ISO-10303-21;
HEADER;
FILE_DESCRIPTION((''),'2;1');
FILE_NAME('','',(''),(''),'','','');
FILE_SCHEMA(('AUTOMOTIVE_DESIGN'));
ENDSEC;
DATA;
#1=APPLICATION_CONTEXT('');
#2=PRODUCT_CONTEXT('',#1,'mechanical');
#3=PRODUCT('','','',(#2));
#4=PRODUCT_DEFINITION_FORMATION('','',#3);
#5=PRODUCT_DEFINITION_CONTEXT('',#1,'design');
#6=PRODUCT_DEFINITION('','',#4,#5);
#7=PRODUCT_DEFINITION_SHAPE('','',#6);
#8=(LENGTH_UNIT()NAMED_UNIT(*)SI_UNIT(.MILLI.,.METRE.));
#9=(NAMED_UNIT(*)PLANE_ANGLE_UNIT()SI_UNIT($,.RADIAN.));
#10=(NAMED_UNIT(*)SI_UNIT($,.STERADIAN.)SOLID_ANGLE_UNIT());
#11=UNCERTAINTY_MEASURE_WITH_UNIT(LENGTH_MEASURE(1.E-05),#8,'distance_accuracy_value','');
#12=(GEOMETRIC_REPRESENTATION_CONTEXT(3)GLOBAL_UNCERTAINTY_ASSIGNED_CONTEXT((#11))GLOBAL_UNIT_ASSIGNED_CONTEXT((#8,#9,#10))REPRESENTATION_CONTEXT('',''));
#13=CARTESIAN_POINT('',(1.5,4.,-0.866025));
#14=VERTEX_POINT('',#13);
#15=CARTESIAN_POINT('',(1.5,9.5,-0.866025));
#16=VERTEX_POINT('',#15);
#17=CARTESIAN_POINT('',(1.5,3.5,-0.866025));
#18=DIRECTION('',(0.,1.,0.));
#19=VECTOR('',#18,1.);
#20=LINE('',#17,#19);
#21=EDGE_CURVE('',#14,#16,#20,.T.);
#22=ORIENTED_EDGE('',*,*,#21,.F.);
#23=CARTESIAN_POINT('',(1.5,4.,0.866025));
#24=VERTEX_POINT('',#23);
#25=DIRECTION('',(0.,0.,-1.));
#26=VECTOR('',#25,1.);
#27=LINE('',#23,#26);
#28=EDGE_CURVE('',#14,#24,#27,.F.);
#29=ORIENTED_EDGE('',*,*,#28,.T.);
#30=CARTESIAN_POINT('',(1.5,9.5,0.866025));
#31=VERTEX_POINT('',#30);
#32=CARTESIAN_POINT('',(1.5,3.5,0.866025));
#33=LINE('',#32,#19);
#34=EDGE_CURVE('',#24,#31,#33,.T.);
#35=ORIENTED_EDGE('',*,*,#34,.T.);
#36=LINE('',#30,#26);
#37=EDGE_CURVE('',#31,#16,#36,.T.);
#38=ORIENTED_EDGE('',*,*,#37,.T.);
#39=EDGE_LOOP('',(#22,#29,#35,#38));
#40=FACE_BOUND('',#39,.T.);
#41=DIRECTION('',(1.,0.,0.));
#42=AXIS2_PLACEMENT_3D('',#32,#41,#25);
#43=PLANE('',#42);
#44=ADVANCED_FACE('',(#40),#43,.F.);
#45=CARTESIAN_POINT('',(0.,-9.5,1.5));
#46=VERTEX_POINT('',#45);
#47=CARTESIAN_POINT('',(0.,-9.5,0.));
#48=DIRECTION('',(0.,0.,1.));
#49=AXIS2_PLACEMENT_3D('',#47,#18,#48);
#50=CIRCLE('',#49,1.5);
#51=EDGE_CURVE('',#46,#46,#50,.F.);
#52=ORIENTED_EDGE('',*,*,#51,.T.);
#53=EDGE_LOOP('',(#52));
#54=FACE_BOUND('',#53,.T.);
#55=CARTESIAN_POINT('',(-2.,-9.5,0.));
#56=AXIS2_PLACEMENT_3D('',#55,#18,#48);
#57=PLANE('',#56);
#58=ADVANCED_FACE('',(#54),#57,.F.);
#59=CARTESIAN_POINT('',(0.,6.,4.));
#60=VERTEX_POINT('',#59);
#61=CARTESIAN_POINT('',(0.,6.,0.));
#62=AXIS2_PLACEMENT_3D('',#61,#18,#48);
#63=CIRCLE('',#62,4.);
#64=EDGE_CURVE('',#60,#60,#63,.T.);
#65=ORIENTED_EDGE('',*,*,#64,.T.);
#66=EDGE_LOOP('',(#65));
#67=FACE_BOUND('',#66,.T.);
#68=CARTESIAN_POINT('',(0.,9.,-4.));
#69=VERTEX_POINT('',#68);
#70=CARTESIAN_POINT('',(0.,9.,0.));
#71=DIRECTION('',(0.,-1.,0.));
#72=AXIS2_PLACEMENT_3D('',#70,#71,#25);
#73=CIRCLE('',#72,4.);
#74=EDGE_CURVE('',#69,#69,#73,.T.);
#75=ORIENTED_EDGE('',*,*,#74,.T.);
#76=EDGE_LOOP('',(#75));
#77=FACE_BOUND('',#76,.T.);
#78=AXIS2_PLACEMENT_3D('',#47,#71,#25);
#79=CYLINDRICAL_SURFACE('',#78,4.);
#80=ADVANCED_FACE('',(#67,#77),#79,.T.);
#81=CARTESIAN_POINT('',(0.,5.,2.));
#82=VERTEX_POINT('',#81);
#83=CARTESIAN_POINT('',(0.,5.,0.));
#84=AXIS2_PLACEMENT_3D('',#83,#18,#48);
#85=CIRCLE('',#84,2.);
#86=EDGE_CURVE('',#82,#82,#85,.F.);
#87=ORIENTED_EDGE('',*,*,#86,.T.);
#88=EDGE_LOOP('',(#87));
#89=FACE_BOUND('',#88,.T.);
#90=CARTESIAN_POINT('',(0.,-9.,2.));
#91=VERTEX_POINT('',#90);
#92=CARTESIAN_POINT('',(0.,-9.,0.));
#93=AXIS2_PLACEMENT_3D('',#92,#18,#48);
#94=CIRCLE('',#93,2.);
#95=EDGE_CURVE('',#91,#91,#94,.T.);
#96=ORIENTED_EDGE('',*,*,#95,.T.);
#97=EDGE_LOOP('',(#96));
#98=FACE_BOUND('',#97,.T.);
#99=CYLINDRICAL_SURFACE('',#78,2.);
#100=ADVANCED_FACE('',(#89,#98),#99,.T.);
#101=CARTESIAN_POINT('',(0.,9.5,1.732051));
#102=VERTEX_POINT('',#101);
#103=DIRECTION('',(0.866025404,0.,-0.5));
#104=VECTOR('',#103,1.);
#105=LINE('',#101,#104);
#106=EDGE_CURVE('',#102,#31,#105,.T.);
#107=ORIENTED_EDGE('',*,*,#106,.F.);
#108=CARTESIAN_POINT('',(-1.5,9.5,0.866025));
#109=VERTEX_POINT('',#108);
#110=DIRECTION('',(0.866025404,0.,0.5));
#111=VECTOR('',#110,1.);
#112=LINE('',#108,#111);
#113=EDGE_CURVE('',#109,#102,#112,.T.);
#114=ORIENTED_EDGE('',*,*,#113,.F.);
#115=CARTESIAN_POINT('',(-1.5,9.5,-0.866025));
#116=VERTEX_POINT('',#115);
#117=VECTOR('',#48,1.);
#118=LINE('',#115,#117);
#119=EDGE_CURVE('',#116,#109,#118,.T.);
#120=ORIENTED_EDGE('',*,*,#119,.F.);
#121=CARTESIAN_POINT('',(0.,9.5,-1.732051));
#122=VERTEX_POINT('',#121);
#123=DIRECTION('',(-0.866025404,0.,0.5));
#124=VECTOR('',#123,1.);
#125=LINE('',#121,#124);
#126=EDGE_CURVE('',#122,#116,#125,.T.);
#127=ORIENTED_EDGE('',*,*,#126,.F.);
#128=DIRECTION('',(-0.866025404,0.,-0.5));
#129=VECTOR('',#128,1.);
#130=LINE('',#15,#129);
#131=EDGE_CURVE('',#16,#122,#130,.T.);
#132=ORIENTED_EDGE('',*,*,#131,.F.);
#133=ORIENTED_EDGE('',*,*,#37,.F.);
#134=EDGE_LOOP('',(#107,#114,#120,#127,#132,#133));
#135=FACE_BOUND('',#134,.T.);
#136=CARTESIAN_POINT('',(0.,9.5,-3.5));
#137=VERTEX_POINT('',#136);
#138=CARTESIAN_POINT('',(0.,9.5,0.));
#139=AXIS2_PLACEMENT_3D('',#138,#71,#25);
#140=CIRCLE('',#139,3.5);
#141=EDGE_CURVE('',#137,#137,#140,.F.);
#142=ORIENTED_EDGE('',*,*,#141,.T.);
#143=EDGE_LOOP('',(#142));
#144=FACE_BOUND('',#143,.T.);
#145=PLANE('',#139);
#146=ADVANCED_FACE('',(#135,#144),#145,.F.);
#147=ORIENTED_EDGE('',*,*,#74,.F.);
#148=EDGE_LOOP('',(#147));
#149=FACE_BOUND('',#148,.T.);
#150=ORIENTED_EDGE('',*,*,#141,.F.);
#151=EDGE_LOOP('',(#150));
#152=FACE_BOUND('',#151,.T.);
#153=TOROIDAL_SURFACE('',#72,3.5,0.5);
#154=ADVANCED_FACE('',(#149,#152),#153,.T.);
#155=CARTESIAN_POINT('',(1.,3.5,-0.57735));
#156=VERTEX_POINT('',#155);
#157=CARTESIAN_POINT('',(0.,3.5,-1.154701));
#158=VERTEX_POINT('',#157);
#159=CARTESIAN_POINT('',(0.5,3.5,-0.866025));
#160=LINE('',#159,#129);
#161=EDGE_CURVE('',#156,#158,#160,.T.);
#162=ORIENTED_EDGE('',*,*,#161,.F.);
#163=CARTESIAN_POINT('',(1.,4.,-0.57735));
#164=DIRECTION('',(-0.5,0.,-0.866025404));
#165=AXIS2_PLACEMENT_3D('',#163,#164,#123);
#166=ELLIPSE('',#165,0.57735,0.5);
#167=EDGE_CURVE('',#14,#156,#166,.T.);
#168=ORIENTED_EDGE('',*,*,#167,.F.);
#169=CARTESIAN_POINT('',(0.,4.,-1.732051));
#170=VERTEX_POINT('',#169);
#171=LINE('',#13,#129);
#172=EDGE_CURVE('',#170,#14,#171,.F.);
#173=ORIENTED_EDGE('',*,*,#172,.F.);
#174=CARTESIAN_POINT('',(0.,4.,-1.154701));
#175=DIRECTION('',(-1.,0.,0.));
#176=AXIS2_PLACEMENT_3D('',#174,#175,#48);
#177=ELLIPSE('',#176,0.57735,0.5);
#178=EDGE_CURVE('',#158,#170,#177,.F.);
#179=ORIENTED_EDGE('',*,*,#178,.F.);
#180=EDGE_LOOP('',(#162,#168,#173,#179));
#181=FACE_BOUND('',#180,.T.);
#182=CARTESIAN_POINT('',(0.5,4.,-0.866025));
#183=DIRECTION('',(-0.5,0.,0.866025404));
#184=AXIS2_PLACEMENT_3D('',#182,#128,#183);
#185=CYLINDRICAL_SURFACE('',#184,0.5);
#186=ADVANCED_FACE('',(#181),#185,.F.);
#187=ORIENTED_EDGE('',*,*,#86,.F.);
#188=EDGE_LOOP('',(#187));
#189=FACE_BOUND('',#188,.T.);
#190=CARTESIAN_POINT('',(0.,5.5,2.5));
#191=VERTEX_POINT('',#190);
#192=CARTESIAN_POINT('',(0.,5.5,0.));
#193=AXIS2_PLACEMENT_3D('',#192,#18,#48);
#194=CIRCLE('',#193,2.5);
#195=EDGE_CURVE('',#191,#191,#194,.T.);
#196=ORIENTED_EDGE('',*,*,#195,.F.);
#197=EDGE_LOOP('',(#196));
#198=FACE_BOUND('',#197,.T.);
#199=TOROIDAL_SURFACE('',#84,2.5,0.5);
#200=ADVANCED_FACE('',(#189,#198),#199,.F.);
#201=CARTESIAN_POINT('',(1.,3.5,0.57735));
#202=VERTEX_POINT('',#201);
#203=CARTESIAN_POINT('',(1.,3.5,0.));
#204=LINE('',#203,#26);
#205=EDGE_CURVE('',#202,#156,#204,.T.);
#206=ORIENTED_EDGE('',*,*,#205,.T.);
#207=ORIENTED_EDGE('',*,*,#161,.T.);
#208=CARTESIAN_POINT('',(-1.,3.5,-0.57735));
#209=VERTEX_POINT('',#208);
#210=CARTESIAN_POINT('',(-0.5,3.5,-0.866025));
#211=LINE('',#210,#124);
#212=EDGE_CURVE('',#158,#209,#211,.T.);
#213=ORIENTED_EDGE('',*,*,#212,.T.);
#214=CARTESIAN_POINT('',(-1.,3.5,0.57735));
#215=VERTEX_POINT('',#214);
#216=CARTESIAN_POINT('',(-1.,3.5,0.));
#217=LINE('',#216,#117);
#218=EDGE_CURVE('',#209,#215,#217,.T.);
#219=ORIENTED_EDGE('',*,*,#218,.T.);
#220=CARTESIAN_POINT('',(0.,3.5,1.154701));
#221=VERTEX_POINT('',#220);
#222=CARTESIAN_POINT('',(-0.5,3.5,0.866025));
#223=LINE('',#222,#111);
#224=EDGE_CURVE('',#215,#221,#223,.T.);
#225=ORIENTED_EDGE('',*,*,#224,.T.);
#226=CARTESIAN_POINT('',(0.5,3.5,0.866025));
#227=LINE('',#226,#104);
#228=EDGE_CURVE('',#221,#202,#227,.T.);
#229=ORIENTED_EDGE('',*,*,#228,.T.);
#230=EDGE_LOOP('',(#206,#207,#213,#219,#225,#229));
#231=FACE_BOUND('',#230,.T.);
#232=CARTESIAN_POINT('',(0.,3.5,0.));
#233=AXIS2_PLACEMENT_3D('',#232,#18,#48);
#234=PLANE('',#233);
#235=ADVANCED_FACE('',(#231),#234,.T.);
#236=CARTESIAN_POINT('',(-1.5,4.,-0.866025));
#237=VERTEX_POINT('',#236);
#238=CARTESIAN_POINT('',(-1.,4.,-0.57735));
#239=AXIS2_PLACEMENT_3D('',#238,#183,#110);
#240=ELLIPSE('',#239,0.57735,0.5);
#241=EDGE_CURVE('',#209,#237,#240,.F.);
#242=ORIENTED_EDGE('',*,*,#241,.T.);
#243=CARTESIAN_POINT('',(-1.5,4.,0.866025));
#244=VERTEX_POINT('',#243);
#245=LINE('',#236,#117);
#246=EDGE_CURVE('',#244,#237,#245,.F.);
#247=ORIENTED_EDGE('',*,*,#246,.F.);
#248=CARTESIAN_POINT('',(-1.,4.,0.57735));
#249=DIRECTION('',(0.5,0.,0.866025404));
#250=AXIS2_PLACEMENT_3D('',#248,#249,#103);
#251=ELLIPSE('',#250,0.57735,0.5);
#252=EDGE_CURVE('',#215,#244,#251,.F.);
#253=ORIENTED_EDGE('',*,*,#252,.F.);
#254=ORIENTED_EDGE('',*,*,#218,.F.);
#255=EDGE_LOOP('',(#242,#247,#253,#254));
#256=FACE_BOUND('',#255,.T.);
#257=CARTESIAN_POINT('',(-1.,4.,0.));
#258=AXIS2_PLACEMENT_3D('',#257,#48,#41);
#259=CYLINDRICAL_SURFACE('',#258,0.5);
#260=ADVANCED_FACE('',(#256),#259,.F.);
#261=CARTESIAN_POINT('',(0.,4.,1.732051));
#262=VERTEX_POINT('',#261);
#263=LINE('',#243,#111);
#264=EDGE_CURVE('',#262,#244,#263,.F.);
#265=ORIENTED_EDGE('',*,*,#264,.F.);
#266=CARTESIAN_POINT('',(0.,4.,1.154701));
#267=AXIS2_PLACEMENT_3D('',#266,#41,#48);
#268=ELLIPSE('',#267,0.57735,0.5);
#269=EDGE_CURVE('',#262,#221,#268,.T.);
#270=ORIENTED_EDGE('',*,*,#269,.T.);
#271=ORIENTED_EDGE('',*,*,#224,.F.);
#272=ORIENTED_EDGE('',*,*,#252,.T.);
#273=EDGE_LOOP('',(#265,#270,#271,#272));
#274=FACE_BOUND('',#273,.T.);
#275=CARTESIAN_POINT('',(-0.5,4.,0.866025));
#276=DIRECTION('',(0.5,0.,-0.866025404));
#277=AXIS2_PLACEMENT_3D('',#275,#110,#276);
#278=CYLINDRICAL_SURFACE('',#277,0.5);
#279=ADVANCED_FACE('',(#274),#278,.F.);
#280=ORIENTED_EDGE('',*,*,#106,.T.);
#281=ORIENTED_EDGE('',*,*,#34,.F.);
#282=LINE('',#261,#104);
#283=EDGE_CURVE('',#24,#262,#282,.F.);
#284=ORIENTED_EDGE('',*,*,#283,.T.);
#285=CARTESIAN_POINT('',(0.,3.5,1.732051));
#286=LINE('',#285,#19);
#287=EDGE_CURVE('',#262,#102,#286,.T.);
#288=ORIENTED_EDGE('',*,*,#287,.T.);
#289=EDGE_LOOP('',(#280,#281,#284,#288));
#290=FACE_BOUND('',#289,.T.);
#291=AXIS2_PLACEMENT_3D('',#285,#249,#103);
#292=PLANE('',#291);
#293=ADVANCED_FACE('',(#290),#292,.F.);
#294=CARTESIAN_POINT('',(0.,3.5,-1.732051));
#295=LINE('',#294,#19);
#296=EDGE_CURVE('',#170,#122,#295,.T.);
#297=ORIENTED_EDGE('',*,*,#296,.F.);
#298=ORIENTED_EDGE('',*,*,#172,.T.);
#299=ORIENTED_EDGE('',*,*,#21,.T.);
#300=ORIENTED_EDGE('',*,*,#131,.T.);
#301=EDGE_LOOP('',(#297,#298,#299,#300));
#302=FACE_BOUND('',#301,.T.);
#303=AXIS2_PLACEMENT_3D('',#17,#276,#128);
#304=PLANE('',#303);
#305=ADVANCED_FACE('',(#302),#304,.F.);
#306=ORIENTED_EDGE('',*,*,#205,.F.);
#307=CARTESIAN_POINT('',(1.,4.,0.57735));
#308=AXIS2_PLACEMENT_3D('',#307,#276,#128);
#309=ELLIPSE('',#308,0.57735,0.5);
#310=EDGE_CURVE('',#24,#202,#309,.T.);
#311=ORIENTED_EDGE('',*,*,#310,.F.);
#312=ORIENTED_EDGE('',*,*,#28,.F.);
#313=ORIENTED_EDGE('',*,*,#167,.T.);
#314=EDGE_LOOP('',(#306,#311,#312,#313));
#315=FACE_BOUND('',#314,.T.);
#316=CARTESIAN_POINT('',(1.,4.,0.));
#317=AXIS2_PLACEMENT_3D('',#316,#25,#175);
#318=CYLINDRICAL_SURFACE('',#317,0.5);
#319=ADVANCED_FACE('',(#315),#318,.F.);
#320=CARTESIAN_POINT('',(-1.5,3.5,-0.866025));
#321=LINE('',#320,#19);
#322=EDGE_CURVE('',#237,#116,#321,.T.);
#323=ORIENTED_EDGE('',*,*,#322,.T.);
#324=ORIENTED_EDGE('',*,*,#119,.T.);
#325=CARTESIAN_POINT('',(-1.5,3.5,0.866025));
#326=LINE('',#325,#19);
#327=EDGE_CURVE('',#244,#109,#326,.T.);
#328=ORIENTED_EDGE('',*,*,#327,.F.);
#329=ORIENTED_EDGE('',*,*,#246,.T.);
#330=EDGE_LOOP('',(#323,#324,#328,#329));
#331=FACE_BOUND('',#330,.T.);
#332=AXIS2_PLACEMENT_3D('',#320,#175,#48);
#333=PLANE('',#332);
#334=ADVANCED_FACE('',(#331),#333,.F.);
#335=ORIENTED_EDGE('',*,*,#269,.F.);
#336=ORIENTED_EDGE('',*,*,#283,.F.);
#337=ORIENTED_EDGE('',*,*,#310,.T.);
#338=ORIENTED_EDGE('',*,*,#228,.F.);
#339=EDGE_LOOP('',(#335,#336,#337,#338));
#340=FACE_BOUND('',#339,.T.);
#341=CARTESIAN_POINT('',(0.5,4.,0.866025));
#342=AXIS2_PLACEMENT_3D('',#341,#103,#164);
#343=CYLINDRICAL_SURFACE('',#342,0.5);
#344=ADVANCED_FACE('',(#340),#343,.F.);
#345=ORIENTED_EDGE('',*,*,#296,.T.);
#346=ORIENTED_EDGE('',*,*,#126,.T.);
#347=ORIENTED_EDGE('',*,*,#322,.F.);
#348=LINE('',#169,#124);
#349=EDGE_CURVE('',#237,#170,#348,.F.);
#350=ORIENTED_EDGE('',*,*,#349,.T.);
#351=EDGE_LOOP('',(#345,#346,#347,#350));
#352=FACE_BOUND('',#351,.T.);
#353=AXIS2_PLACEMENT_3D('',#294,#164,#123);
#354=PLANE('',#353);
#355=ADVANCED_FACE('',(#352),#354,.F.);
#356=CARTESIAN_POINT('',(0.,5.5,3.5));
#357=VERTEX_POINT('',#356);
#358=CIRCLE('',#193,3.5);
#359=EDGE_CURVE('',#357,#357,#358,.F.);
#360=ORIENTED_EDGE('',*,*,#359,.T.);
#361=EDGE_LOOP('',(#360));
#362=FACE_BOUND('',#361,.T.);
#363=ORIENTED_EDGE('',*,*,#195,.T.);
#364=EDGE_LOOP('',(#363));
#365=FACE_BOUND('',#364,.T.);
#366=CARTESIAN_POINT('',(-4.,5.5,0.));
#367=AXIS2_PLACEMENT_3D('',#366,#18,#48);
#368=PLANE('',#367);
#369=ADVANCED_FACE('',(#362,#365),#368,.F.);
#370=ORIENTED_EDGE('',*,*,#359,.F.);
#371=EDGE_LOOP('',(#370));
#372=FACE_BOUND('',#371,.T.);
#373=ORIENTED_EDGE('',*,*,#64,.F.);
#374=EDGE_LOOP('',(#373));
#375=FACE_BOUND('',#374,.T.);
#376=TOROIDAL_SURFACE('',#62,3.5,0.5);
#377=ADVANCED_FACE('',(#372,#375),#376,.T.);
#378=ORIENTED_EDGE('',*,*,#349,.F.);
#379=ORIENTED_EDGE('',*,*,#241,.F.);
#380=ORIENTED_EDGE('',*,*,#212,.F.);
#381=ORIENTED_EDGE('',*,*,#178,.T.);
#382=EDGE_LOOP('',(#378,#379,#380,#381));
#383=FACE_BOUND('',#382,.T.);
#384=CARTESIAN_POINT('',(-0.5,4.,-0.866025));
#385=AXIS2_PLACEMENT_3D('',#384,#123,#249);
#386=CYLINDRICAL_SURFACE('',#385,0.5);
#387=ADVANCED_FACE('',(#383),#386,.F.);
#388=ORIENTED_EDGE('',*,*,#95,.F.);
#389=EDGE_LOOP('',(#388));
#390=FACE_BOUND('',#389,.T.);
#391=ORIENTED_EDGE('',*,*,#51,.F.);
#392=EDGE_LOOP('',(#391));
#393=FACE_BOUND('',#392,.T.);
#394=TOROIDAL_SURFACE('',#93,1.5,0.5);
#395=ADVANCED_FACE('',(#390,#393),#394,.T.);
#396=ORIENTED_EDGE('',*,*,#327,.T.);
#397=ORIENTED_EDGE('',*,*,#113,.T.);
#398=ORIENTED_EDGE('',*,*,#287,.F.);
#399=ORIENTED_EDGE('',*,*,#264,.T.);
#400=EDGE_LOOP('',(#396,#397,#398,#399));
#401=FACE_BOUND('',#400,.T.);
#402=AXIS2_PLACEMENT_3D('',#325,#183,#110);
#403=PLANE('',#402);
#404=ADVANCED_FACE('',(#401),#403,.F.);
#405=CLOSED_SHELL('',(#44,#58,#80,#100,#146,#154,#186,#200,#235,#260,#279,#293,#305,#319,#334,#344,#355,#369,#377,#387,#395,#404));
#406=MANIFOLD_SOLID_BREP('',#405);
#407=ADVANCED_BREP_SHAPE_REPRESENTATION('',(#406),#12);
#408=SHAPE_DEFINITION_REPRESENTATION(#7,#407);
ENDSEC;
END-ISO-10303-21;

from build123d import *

# Parameters (mm, degrees)
CORTE_EXTRUS_O1_DEPTH = 6
FILETE1_R             = 0.5


with BuildPart() as part:
    # Esboço1 → Revolução1 (revolve)
    with BuildSketch(Plane.XY):
        Polygon((0, -9.5), (0, 9.5), (-4, 9.5), (-4, 5.5), (-2, 5.5), (-2, -9.5), align=None)
    revolve(axis=Axis((0, -9.5, 0), (0, 1, 0)))

    # Esboço2 → Corte-extrusão1 (cut)
    with BuildSketch(Plane(origin=(0, 9.5, 0), x_dir=(1, 0, 0), z_dir=(0, 1, 0))):
        Polygon((1.5, -0.866025404), (1.5, 0.866025404), (0, 1.732050808), (-1.5, 0.866025404), (-1.5, -0.866025404), (0, -1.732050808), align=None)
    extrude(amount=-CORTE_EXTRUS_O1_DEPTH, mode=Mode.SUBTRACT)

    # Filete1
    filete1_edges = [part.edges().sort_by_distance(p)[0] for p in [
        (0.75, 3.5, 1.299038106),
        (-0.75, 3.5, 1.299038106),
        (-1.5, 3.5, 0),
        (-0.75, 3.5, -1.299038106),
        (0.75, 3.5, -1.299038106),
        (1.5, 3.5, 0),
        (2, -9.5, 0),
        (2, 5.5, 0),
        (4, 5.5, 0),
        (4, 9.5, 0),
    ]]
    fillet(filete1_edges, radius=FILETE1_R)


solid = part.part
